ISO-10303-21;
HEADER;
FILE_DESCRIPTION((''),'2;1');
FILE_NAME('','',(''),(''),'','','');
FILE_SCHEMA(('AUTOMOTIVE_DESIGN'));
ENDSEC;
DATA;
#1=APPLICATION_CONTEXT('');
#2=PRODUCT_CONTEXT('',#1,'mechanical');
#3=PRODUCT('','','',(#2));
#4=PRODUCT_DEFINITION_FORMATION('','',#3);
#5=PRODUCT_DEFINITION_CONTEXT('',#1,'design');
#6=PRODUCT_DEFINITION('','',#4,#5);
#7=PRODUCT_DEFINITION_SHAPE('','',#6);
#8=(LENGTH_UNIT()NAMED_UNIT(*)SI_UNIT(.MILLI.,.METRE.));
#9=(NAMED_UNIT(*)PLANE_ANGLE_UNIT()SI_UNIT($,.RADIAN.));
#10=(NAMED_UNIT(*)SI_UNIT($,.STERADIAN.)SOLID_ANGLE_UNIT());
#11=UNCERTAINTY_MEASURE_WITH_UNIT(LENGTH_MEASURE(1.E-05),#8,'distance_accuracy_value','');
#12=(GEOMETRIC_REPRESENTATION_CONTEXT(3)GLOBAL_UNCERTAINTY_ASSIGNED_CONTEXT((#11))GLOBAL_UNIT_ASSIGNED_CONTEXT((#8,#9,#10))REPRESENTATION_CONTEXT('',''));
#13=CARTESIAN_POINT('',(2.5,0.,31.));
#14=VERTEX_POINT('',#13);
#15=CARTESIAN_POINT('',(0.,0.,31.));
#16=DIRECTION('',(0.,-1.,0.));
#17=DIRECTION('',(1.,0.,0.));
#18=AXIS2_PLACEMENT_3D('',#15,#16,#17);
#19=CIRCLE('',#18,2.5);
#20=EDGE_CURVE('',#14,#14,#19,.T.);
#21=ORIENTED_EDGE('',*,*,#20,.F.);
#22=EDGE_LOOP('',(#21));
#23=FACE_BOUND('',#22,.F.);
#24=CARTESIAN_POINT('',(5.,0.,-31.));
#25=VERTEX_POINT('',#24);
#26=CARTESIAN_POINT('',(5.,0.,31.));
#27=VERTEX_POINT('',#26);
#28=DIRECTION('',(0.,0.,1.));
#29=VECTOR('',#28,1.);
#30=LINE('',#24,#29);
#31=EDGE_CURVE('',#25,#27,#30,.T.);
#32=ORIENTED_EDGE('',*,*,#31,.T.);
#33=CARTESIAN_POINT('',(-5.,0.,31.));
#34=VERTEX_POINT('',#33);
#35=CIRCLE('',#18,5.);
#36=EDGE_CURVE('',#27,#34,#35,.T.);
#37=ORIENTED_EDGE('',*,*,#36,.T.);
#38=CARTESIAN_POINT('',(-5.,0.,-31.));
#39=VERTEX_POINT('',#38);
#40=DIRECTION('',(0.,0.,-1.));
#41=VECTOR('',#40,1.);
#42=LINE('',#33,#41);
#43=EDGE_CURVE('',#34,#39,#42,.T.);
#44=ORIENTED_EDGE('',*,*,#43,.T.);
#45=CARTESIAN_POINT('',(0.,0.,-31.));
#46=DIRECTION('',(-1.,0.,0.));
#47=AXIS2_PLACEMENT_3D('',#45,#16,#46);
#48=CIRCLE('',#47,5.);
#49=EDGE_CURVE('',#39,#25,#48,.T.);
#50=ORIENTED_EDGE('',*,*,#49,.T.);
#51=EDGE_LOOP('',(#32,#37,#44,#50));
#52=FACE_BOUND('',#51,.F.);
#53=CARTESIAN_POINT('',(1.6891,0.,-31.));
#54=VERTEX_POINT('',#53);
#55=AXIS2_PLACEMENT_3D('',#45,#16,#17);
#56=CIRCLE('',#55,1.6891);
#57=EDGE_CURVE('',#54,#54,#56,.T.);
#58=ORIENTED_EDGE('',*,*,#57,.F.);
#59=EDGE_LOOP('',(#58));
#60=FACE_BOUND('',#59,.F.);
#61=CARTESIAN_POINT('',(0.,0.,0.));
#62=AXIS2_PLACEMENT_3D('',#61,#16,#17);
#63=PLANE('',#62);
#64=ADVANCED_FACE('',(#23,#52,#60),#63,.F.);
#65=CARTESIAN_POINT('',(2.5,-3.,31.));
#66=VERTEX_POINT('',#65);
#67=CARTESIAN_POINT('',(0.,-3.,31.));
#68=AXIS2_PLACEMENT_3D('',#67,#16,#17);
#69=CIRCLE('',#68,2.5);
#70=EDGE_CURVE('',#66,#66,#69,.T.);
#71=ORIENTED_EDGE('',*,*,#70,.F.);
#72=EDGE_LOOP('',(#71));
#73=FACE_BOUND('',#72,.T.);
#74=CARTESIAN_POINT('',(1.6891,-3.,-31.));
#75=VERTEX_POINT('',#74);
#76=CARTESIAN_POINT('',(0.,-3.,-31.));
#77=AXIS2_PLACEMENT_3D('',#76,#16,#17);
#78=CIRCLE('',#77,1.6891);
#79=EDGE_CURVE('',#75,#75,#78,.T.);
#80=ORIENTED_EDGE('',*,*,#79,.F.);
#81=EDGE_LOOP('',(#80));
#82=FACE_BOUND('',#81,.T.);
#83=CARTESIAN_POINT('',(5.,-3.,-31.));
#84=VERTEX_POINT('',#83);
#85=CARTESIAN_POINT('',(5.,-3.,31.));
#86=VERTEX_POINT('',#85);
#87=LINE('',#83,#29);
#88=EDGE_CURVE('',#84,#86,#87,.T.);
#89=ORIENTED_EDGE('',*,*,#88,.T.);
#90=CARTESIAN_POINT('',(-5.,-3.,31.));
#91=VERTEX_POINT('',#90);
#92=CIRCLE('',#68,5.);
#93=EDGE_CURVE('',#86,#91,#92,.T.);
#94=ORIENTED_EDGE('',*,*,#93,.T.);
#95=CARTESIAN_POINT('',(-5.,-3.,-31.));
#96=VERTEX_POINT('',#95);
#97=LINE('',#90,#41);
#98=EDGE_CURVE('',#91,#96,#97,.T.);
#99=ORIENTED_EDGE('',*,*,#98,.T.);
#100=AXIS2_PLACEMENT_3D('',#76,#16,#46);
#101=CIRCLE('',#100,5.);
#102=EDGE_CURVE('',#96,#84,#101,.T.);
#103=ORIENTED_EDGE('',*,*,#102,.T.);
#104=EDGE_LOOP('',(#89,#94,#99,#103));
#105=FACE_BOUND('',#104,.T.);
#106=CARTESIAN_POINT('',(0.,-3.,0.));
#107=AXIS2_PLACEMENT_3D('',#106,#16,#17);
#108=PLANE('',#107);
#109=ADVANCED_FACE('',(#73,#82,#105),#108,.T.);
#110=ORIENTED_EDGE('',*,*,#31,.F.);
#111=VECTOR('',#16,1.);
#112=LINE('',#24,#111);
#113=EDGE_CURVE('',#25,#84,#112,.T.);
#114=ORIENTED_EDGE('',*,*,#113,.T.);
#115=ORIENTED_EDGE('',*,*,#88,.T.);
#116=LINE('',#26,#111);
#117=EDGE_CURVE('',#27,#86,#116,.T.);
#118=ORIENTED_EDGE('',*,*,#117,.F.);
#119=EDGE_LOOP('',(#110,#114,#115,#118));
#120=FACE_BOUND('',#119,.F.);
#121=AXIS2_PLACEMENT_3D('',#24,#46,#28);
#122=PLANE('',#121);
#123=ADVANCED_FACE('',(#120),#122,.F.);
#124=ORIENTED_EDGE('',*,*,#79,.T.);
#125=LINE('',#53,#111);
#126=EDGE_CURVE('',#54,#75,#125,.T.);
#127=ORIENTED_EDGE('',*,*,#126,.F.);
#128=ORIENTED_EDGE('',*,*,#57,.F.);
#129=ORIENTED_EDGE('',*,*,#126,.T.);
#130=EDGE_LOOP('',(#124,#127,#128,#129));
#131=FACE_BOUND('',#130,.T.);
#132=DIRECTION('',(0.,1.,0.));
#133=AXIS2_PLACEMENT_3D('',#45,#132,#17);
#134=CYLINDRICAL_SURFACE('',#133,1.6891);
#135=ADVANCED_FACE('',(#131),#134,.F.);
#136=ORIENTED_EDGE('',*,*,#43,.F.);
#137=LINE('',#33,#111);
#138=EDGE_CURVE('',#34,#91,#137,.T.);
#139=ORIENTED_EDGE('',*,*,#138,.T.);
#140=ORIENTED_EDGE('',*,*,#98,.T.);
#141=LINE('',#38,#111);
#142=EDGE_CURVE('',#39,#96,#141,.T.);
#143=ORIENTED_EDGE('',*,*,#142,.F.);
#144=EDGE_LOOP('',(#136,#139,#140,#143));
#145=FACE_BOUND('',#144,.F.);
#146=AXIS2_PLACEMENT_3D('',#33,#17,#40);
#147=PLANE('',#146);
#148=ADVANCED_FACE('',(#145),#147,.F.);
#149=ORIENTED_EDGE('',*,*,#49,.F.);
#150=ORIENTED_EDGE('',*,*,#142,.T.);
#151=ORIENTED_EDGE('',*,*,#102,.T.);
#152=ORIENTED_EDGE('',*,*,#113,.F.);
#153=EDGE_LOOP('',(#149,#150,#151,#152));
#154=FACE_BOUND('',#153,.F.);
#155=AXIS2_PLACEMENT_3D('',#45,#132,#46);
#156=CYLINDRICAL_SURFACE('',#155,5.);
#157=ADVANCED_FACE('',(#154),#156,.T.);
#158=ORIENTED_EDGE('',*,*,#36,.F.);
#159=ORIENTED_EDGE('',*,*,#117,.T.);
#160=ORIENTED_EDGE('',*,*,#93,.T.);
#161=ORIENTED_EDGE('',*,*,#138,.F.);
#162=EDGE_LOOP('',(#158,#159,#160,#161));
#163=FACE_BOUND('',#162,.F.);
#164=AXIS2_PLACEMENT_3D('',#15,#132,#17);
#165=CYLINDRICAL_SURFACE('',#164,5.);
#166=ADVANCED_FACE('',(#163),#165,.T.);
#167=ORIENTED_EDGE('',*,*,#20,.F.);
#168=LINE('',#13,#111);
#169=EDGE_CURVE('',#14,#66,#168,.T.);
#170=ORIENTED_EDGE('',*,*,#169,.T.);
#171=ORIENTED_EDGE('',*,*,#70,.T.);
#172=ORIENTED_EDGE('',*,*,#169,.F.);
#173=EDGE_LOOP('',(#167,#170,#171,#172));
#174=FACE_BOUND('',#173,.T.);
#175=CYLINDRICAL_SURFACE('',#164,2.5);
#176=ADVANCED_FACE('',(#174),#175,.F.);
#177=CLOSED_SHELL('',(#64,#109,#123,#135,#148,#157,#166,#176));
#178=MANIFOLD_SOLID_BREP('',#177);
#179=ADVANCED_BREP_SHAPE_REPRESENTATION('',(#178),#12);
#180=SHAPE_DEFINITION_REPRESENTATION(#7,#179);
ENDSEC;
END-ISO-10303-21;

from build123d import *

# Parameters (mm, degrees)
F0_R     = 1.6891
F0_R_2   = 2.5
F1_DEPTH = 3


with BuildPart() as f1:
    # F0 (on Front) → F1 (new body)
    with BuildSketch(Plane.XZ):
        with BuildLine():
            ThreePointArc((-5, -31), (0, -36), (5, -31))
            Line((5, -31), (5, 31))
            ThreePointArc((5, 31), (0, 36), (-5, 31))
            Line((-5, 31), (-5, -31))
        make_face()
        with Locations((0, -31)):
            Circle(F0_R, mode=Mode.SUBTRACT)
        with Locations((0, 31)):
            Circle(F0_R_2, mode=Mode.SUBTRACT)
    extrude(amount=F1_DEPTH)


solid = f1.part
